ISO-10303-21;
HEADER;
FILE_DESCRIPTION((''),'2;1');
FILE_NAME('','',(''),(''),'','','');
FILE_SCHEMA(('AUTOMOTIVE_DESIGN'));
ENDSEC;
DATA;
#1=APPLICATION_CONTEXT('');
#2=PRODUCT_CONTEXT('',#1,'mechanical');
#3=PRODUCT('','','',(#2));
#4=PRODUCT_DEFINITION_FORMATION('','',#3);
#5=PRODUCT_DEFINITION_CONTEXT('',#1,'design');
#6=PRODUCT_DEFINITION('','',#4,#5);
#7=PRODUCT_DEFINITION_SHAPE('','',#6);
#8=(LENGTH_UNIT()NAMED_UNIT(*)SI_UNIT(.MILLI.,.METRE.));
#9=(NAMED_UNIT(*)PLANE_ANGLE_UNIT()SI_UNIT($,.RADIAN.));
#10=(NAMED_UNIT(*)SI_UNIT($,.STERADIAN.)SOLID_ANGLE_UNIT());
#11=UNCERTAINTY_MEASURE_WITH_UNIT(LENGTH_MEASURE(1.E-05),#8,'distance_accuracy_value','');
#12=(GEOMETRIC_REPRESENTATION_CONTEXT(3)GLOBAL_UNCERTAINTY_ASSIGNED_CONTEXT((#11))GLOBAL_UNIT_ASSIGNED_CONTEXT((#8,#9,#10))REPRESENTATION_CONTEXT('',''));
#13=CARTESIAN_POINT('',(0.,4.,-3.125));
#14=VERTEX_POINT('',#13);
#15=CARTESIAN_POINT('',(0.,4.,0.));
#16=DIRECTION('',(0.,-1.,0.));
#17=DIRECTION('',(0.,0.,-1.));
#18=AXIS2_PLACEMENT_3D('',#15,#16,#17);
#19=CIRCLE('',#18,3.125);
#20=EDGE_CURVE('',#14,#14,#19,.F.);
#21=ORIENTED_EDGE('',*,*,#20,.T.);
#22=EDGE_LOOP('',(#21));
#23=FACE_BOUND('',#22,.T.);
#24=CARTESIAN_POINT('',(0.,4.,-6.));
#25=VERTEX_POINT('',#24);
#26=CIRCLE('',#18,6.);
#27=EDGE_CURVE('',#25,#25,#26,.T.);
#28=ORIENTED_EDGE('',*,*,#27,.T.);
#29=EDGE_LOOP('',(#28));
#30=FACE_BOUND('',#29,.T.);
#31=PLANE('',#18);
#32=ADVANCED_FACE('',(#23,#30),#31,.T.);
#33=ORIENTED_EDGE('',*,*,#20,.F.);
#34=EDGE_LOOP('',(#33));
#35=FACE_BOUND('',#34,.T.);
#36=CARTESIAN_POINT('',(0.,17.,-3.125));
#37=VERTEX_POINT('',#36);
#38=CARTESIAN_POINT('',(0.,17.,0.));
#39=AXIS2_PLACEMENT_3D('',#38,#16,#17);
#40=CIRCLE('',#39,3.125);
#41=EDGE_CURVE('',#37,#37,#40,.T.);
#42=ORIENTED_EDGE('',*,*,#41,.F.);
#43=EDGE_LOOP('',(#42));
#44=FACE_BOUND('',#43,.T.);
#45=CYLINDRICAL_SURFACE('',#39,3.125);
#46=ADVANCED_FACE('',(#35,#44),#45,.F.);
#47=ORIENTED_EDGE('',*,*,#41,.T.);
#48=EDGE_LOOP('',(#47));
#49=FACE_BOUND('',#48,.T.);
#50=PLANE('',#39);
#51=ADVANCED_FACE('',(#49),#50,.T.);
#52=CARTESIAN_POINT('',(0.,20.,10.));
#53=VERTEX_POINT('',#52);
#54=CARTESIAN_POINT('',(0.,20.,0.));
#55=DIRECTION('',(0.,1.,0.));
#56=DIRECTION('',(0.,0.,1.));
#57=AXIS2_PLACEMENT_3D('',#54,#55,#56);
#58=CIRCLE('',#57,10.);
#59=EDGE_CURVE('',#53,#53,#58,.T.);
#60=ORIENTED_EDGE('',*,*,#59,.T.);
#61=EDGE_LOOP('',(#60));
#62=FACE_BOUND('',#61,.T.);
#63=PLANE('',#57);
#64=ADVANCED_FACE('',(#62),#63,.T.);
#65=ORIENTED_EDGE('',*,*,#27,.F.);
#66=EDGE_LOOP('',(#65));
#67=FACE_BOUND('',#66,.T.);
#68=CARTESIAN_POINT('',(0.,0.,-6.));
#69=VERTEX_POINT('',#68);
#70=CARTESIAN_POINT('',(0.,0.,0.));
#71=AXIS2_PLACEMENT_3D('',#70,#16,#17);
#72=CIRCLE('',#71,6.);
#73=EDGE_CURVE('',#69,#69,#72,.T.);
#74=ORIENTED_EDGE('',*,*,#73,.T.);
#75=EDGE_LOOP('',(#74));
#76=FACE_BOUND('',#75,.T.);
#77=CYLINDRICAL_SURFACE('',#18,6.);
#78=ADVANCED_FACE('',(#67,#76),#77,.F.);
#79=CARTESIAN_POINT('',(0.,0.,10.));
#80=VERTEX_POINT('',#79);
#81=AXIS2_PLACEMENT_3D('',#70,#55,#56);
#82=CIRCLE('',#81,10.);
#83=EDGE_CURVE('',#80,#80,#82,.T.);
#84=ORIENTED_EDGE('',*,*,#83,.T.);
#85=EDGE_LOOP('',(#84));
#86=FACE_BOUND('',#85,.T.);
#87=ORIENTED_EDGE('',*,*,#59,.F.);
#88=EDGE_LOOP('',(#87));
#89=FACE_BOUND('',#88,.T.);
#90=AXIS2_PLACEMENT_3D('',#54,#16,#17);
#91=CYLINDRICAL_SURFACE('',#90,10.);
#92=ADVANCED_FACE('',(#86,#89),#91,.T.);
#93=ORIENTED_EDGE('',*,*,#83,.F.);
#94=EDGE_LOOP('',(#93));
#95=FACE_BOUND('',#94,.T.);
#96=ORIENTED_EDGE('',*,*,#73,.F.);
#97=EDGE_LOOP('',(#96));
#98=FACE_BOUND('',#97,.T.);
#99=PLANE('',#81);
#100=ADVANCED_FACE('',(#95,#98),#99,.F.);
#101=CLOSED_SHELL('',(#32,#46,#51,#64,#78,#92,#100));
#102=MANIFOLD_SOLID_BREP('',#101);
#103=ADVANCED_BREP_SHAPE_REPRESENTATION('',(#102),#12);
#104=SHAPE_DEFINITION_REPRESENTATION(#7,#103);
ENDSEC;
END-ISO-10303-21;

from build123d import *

# Parameters (mm, degrees)
SKETCH1_R           = 10
BOSS_EXTRUDE1_DEPTH = 20
SKETCH2_R           = 3.125
CUT_EXTRUDE1_DEPTH  = 17
SKETCH3_R           = 6
CUT_EXTRUDE2_DEPTH  = 4


with BuildPart() as part:
    # Sketch1 → Boss-Extrude1 (new body)
    with BuildSketch(Plane(origin=(0, 0, 0), x_dir=(1, 0, 0), z_dir=(0, 1, 0))):
        with Locations(Location((0, 0, 0), (0, 0, 270))):  # turned: the seam where the file's is
            Circle(SKETCH1_R)
    extrude(amount=BOSS_EXTRUDE1_DEPTH)

    # Sketch2 → Cut-Extrude1 (cut)
    with BuildSketch(Plane.XZ):
        with Locations(Location((0, 0, 0), (0, 0, 270))):  # turned: the seam where the file's is
            Circle(SKETCH2_R)
    extrude(amount=-CUT_EXTRUDE1_DEPTH, mode=Mode.SUBTRACT)

    # Sketch3 → Cut-Extrude2 (cut)
    with BuildSketch(Plane.XZ):
        with Locations(Location((0, 0, 0), (0, 0, 270))):  # turned: the seam where the file's is
            Circle(SKETCH3_R)
    extrude(amount=-CUT_EXTRUDE2_DEPTH, mode=Mode.SUBTRACT)


solid = part.part
